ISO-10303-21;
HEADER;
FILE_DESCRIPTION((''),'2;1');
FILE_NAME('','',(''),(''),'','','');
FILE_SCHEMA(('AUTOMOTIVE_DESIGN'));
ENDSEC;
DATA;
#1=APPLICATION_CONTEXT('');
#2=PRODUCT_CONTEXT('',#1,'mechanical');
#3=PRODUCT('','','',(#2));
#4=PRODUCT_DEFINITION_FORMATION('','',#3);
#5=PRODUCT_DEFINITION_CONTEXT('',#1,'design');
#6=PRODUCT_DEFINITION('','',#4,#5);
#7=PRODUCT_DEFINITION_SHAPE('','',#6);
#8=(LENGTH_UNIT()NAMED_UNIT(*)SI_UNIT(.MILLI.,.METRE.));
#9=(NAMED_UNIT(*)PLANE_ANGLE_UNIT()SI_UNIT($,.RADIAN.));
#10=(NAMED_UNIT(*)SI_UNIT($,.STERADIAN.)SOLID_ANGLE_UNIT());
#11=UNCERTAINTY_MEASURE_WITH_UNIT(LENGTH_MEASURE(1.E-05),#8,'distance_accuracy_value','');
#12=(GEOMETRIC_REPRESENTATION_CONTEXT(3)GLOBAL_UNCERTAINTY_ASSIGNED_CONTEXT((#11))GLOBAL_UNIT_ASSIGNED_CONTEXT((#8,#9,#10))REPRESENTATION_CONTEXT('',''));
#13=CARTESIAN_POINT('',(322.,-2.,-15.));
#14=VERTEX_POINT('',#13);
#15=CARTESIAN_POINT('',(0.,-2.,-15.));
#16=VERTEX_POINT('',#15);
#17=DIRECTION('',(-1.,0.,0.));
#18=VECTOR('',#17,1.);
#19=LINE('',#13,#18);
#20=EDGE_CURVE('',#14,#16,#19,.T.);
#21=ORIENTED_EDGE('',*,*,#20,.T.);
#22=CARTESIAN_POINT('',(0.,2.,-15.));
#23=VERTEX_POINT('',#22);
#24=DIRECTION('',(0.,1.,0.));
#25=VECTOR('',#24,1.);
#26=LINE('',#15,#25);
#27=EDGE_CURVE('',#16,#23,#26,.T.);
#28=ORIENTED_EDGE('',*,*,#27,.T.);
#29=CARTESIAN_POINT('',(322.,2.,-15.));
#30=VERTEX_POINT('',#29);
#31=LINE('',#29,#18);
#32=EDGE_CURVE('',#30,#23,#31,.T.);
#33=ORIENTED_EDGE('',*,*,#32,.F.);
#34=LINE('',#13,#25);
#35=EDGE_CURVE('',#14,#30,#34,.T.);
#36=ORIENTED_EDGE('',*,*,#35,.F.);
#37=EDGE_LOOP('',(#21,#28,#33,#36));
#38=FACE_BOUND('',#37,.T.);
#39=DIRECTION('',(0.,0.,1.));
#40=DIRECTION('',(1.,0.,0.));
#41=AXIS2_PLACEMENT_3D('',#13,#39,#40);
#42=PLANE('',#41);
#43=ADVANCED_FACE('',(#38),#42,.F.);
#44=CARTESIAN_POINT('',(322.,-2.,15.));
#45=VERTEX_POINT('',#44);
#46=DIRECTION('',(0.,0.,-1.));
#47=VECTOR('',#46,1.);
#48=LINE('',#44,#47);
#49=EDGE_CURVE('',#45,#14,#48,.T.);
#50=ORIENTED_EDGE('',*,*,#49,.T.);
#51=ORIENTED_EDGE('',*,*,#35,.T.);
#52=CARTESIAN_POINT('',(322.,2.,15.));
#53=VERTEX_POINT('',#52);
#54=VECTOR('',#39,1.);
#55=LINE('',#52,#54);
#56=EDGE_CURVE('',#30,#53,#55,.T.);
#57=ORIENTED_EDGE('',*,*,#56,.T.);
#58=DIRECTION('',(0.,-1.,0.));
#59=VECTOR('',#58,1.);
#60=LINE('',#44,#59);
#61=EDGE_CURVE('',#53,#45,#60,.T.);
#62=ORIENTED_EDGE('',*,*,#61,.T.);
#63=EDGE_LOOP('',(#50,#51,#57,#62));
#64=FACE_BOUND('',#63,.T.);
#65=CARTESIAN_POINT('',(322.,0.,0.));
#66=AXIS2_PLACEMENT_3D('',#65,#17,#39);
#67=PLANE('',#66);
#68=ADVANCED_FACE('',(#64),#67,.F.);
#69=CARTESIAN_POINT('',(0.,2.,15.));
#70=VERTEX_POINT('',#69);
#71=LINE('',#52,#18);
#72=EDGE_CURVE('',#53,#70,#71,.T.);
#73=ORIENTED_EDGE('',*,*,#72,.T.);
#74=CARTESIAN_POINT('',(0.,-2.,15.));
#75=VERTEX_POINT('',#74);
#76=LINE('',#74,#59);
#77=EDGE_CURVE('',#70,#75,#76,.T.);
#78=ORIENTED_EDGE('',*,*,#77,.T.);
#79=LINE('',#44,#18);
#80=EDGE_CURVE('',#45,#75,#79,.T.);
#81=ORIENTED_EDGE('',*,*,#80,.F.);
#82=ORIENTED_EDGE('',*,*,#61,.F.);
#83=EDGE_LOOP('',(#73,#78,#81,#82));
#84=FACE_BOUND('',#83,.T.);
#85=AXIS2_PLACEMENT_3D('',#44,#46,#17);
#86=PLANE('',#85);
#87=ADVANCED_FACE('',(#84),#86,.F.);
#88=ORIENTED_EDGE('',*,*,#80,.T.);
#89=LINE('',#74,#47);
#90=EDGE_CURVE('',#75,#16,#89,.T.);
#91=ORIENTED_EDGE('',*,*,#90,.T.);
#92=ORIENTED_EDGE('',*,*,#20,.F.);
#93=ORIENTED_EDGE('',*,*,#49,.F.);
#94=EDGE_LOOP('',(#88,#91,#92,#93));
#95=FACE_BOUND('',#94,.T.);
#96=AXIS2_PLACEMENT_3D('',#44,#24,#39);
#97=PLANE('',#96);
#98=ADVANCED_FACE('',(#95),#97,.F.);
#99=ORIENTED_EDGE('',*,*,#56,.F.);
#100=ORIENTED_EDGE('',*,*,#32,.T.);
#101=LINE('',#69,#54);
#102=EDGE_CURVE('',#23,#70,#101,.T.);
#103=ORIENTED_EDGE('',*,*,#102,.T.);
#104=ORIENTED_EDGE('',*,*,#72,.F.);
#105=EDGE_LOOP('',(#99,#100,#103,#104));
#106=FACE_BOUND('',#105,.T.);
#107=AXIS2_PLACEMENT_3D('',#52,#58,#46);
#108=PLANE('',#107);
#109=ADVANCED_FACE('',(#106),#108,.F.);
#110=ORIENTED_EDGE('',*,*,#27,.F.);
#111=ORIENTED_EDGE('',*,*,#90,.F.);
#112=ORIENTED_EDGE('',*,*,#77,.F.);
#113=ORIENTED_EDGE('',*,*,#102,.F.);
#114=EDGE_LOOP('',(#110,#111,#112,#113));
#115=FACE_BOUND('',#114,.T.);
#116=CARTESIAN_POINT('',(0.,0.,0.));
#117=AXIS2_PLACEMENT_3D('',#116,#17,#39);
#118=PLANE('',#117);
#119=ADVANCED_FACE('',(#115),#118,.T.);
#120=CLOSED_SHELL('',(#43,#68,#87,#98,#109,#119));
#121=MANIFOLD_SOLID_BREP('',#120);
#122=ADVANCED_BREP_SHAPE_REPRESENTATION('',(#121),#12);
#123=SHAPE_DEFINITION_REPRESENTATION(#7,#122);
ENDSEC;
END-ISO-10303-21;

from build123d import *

# Parameters (mm, degrees)
SKETCH_1_W      = 30
SKETCH_1_H      = 4
EXTRUDE_1_DEPTH = 322


with BuildPart() as part:
    # Эскиз1 → Бобышка-Вытянуть1 (new body)
    with BuildSketch(Plane(origin=(0, 0, 0), x_dir=(0, 0, -1), z_dir=(1, 0, 0))):
        Rectangle(SKETCH_1_W, SKETCH_1_H)
    extrude(amount=EXTRUDE_1_DEPTH)


solid = part.part
